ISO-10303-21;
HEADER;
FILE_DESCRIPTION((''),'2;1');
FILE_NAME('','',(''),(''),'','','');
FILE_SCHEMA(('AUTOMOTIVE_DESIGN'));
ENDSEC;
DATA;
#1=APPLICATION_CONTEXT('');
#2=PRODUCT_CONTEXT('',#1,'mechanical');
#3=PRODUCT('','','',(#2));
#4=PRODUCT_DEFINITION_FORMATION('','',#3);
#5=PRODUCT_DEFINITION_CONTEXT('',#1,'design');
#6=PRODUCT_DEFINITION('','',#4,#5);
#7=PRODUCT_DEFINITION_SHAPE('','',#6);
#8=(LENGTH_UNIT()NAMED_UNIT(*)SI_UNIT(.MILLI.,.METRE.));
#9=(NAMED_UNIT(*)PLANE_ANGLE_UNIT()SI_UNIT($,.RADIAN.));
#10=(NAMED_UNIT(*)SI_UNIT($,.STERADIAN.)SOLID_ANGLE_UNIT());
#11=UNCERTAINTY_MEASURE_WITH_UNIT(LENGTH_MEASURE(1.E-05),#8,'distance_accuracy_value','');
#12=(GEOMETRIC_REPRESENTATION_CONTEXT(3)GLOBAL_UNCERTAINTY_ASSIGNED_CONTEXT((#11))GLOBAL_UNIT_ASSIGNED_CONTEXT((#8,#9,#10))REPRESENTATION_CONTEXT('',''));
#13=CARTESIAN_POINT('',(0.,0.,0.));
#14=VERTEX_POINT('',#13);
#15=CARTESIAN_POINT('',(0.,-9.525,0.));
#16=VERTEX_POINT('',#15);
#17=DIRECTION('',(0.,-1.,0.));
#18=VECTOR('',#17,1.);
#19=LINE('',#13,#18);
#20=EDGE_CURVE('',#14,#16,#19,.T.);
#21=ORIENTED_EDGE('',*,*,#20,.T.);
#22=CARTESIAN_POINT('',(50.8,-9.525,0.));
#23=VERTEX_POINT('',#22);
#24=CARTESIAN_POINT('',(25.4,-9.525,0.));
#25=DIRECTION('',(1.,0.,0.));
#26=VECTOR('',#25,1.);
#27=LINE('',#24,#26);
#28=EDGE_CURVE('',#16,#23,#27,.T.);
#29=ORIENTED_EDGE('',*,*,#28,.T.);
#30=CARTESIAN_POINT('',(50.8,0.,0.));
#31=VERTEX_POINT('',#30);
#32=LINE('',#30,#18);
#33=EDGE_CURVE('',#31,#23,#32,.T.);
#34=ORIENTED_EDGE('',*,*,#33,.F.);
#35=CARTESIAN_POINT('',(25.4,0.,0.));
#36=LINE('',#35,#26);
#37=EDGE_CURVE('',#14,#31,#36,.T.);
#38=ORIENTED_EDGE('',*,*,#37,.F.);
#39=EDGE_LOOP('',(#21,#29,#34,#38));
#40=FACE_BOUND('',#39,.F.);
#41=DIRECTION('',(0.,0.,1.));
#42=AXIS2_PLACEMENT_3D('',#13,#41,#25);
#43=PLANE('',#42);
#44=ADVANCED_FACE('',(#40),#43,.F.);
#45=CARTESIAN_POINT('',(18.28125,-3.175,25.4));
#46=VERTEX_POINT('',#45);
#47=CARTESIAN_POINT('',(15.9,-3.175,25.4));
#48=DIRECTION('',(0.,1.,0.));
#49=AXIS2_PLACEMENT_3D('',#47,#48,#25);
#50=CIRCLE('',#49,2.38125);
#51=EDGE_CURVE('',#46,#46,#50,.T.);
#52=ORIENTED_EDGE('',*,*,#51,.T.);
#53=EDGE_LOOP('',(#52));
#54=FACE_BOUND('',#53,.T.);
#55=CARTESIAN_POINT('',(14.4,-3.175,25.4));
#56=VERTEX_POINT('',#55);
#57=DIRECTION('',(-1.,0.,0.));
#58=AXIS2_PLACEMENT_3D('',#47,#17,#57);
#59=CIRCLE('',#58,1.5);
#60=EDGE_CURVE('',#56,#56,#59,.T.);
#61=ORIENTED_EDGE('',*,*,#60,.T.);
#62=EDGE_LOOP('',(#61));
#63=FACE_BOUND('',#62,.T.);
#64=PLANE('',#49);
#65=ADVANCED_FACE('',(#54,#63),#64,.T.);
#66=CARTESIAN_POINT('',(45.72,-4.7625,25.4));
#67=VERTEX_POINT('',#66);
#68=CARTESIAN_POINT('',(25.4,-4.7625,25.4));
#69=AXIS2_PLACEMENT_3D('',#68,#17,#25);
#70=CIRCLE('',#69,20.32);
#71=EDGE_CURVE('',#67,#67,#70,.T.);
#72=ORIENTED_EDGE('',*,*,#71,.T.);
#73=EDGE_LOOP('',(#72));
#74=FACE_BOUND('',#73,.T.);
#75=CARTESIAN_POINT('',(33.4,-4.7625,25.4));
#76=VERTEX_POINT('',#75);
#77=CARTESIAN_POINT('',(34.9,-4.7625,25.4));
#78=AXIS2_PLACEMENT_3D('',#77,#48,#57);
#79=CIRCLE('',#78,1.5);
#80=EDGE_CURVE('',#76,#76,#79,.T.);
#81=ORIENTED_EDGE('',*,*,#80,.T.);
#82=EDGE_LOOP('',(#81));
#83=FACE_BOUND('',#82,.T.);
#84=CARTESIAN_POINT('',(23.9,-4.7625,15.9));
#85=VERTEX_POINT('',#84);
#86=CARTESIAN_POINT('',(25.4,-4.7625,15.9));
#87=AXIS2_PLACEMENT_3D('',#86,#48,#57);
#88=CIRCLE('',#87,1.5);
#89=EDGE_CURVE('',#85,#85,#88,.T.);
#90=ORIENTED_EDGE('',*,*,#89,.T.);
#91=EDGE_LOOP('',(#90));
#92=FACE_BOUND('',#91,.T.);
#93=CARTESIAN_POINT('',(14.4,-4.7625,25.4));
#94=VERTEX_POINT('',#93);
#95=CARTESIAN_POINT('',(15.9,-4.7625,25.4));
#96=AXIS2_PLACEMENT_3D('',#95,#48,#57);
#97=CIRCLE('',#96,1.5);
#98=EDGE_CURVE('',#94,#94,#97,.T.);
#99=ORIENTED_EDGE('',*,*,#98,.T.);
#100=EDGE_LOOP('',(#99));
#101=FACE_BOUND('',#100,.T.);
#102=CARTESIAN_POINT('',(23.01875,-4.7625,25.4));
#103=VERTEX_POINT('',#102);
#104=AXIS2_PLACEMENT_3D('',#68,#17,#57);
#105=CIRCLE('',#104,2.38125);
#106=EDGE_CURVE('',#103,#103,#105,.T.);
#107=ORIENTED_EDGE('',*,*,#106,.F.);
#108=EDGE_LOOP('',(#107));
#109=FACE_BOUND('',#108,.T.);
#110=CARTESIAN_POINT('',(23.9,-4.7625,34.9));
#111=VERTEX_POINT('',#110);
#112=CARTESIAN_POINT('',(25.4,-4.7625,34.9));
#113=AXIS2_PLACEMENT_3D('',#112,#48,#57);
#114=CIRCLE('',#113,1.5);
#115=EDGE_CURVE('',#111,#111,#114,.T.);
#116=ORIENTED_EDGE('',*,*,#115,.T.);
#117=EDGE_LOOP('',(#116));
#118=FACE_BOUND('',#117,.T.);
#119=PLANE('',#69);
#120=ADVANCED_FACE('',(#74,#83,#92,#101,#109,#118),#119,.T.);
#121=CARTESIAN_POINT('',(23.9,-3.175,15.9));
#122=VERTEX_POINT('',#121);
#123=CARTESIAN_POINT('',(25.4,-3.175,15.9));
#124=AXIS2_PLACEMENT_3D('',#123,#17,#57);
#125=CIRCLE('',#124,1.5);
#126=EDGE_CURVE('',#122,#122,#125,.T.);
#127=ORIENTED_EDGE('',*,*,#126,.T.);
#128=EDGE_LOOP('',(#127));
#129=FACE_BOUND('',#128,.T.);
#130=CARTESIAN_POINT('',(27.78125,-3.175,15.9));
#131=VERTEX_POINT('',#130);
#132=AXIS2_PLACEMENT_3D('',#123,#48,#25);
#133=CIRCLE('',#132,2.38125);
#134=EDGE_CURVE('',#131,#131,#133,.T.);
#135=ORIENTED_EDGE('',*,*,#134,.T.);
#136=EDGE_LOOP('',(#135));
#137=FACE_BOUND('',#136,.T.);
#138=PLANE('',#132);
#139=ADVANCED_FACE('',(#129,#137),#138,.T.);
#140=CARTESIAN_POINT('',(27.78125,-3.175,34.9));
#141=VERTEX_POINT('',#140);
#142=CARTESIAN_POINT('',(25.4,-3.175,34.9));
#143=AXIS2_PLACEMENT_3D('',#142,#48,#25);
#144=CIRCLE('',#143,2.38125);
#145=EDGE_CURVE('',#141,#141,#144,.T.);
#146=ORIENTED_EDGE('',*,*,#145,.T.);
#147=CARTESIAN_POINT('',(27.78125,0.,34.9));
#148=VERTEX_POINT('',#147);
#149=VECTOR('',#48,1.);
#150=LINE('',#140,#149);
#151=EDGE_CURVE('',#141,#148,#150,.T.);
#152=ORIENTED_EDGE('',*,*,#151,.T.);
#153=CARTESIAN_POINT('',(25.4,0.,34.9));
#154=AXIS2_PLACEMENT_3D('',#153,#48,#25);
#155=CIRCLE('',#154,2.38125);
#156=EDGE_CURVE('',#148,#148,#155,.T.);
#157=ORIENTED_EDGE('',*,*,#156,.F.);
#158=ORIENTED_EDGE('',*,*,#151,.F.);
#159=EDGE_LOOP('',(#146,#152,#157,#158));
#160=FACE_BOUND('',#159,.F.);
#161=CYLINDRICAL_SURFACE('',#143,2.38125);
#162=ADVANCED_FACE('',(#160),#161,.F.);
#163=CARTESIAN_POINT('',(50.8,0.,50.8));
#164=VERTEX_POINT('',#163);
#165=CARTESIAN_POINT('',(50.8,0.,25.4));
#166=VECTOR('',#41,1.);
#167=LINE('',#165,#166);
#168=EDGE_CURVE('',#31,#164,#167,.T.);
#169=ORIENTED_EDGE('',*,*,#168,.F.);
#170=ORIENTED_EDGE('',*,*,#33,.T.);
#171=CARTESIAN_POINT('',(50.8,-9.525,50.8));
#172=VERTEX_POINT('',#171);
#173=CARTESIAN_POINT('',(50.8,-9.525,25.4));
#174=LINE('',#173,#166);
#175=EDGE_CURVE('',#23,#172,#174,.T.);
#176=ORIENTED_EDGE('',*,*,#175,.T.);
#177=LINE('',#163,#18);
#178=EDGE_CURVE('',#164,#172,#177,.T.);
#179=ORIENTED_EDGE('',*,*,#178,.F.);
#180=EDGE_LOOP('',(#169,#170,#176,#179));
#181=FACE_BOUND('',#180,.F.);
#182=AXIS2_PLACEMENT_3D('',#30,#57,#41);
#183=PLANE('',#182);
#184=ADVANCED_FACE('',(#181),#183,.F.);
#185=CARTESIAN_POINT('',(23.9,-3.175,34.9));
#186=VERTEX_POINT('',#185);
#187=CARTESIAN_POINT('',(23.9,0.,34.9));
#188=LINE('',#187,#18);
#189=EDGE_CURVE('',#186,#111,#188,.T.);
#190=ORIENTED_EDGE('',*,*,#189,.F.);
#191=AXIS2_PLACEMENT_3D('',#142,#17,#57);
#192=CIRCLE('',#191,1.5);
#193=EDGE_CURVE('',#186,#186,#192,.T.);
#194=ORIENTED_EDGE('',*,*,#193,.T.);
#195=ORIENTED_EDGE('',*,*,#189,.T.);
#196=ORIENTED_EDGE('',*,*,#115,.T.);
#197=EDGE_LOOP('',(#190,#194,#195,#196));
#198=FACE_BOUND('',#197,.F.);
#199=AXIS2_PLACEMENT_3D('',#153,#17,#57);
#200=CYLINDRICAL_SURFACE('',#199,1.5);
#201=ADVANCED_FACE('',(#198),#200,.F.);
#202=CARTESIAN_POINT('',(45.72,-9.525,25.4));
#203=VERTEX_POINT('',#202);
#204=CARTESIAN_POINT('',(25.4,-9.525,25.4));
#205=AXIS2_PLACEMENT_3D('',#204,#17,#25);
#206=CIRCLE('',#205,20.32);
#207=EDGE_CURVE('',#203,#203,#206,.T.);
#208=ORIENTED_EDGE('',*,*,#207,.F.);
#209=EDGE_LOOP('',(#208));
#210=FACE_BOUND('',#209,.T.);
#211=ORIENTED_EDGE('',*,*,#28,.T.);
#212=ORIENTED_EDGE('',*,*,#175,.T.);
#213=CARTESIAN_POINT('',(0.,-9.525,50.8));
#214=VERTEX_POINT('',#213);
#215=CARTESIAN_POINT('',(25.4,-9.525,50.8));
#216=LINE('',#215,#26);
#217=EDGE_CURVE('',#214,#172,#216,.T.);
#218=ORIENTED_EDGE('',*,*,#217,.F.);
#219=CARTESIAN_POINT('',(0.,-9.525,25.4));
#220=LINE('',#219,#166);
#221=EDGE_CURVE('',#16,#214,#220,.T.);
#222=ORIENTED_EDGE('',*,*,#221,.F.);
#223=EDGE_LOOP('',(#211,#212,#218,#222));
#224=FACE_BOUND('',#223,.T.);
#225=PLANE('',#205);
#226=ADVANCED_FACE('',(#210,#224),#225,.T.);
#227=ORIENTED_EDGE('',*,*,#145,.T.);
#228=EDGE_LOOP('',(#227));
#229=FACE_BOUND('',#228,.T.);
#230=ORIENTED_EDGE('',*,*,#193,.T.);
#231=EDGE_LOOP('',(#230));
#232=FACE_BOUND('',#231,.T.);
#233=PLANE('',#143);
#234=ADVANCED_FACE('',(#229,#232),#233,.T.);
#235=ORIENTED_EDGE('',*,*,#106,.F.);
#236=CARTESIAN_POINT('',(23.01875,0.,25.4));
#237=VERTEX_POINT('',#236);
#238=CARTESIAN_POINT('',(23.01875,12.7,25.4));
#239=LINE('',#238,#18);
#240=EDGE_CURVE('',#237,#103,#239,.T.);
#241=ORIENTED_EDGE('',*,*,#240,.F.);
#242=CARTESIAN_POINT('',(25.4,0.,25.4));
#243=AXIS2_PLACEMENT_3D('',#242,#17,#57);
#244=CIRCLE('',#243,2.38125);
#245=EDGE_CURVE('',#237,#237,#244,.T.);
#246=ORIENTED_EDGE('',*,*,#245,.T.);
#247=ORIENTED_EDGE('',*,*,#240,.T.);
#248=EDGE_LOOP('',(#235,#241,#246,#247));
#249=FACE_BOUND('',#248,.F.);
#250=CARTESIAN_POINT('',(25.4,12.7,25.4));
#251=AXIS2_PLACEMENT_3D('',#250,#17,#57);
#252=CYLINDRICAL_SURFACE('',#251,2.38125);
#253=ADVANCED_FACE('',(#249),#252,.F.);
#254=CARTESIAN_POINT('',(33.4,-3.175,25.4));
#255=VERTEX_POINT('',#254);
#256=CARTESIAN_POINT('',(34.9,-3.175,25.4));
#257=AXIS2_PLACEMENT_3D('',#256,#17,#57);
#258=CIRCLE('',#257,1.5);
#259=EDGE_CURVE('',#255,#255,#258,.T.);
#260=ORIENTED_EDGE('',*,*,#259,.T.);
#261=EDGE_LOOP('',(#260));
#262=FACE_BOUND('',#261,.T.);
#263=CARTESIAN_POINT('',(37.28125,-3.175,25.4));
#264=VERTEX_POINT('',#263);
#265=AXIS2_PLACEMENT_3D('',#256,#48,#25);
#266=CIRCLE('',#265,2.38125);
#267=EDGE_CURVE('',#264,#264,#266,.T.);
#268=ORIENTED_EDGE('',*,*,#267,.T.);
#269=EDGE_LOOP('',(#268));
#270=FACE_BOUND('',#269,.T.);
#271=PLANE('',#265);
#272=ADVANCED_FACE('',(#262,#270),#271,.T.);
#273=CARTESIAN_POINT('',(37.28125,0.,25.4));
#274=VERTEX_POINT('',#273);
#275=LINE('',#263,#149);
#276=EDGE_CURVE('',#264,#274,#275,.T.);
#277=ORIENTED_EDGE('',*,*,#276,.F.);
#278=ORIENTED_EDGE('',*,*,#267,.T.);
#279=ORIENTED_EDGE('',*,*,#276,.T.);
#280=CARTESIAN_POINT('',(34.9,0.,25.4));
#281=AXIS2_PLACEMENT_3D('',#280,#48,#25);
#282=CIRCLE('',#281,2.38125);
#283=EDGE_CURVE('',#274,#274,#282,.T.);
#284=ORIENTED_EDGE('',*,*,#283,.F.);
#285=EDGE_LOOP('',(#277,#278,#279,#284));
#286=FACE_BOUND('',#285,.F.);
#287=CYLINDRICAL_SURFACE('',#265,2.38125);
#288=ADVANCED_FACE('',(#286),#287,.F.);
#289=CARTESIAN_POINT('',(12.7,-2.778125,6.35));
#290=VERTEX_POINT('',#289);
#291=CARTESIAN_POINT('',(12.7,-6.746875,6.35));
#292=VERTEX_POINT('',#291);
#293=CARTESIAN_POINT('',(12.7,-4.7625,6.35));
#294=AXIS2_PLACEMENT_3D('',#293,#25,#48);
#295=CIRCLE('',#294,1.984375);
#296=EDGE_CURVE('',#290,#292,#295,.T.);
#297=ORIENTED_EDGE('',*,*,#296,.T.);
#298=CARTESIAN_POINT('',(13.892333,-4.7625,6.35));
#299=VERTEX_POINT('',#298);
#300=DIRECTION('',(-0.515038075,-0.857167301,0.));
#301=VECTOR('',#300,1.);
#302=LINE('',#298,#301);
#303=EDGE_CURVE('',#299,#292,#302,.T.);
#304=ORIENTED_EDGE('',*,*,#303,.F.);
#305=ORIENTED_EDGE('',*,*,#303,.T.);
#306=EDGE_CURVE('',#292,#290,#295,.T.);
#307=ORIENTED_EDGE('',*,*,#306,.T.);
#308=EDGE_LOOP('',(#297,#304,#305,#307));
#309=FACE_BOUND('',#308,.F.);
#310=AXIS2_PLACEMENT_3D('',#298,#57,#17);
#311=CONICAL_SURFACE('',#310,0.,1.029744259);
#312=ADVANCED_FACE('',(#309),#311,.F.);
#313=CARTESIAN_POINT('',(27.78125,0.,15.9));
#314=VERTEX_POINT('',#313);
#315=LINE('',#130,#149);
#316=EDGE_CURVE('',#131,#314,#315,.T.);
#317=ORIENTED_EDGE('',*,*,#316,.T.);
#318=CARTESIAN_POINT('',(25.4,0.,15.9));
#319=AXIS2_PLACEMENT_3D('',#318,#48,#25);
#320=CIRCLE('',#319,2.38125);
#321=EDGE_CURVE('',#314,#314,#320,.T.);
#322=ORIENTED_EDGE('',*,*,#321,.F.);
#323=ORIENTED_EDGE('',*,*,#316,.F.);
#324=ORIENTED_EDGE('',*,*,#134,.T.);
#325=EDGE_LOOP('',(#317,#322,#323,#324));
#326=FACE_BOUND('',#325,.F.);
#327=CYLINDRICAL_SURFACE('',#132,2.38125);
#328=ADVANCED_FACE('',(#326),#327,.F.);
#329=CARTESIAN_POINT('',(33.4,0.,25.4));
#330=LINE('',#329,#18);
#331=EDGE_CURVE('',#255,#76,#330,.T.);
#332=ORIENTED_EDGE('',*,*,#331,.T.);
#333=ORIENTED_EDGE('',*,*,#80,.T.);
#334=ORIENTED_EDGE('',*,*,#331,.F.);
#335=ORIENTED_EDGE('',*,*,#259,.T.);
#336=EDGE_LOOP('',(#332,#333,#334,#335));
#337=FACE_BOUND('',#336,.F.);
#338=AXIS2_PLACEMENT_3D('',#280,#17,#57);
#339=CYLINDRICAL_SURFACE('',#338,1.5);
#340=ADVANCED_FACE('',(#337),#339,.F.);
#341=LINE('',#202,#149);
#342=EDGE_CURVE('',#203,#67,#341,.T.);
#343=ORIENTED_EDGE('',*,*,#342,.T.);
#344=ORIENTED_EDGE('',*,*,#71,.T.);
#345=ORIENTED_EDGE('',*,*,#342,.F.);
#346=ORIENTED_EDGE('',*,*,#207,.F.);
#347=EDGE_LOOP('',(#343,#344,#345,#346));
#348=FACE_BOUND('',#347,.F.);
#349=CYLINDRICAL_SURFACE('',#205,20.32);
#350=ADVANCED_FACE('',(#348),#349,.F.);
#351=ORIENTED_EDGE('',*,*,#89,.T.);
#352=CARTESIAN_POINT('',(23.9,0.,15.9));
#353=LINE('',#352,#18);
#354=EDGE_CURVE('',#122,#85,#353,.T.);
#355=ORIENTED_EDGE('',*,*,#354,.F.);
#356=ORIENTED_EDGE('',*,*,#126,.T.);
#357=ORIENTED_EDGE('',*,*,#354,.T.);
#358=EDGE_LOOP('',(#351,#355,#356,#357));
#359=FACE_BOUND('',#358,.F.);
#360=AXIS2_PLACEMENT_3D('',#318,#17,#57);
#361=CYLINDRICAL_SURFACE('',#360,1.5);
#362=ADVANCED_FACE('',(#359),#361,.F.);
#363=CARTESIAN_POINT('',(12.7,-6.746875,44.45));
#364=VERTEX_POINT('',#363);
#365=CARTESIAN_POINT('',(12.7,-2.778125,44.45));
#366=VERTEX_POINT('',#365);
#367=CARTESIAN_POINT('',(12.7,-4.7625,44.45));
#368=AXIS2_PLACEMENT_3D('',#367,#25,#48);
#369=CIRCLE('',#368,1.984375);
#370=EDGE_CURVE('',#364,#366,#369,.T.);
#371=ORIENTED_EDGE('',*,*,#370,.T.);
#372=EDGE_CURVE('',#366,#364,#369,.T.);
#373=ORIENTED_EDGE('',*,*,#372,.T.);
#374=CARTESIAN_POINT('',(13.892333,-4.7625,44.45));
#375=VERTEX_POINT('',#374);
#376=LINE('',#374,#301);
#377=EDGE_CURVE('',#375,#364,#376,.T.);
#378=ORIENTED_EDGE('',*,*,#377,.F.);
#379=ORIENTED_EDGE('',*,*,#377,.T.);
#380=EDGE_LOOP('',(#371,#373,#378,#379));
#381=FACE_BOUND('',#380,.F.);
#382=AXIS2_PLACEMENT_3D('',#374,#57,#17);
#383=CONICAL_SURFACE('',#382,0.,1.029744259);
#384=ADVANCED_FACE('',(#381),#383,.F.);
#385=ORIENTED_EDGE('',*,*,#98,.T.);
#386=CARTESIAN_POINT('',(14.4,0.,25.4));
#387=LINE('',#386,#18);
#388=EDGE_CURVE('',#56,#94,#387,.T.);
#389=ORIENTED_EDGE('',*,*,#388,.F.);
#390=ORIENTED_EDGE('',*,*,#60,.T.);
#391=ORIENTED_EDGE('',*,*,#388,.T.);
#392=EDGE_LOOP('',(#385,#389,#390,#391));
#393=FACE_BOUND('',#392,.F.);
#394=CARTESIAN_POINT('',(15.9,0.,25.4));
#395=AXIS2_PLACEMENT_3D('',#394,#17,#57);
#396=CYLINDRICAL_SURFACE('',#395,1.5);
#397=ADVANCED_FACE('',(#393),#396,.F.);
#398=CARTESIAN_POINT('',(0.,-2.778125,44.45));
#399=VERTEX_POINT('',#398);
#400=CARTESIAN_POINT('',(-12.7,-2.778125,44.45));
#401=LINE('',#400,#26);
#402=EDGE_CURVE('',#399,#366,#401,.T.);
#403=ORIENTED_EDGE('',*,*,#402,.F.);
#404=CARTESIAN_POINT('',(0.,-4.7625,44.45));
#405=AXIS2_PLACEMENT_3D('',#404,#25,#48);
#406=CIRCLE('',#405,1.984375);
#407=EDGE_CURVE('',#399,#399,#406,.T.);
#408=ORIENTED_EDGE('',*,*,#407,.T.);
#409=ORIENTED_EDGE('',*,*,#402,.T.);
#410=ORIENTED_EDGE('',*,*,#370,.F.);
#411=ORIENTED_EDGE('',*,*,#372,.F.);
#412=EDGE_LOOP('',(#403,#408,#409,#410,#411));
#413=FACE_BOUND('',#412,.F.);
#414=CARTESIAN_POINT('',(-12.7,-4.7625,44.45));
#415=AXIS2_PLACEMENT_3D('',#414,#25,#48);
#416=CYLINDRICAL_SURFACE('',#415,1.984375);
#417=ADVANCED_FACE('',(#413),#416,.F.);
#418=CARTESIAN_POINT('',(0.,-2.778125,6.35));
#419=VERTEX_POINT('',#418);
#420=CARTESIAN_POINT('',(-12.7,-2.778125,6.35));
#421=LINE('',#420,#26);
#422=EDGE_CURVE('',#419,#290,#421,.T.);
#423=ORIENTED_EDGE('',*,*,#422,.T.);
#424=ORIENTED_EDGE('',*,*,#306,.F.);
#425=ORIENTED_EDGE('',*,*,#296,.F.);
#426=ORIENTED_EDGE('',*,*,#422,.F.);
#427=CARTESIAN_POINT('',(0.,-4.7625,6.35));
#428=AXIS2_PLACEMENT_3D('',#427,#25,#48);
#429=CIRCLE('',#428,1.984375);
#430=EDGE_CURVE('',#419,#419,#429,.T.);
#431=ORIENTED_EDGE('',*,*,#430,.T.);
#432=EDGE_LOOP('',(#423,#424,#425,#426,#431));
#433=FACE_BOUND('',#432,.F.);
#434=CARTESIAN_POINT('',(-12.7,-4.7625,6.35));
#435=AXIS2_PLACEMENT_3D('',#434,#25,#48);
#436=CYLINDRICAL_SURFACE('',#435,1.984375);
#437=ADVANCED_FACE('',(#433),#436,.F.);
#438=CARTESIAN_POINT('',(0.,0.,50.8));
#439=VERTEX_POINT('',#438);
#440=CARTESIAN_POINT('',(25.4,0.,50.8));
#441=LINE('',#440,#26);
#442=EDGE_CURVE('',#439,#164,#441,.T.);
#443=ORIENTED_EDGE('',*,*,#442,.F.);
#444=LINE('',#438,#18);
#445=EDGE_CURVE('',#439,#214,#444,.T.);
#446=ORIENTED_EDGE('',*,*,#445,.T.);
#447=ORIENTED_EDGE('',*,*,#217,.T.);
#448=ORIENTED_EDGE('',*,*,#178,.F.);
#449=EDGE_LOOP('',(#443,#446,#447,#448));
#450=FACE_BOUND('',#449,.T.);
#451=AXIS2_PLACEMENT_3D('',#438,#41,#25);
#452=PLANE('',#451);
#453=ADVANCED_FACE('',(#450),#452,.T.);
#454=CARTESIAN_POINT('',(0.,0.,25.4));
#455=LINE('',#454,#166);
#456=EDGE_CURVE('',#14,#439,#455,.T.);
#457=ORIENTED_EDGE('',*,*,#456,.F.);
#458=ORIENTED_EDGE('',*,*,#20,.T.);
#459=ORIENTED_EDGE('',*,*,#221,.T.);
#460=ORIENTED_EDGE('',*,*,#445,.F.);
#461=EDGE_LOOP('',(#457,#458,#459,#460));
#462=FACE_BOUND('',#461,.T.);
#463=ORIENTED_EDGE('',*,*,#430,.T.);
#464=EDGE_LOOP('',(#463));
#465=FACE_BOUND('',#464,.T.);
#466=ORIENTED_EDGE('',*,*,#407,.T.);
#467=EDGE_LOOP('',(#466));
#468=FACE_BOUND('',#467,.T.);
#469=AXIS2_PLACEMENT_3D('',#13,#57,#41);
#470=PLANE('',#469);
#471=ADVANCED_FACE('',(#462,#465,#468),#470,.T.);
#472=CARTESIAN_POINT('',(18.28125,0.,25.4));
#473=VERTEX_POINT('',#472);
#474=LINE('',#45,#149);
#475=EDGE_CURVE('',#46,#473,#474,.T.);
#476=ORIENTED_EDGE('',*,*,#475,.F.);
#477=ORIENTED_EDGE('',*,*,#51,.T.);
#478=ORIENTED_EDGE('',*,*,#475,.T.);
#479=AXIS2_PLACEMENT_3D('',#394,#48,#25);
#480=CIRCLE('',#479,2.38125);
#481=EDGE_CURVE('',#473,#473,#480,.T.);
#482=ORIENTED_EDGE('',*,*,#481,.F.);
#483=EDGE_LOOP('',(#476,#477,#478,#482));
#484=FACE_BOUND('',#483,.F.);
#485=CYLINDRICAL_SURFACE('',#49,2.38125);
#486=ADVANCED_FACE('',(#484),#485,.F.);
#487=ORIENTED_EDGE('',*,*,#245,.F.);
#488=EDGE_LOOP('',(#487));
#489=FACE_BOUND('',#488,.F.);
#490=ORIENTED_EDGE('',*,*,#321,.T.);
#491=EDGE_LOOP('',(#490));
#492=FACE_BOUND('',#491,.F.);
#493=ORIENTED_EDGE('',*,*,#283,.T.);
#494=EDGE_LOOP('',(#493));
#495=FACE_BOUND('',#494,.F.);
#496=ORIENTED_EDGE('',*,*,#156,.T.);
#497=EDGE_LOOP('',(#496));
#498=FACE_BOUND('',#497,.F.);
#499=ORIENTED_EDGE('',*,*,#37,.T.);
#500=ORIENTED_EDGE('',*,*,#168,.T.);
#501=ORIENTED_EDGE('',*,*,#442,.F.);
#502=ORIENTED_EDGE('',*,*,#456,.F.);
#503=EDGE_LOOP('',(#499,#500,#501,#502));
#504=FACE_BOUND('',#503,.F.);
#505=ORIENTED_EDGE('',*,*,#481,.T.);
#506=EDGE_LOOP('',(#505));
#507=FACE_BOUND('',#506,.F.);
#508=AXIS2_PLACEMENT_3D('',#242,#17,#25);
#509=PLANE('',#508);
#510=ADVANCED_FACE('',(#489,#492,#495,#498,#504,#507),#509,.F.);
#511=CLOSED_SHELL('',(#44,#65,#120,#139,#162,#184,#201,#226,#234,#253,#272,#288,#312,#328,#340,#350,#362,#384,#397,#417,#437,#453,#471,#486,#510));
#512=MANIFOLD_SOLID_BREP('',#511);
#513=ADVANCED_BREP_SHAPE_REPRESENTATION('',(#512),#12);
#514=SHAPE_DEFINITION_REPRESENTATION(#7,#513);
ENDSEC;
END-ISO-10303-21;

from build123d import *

# Parameters (mm, degrees)
F0_W           = 50.8
F0_H           = 50.8
F1_DEPTH       = 9.525
F3_D           = 3.96875
F3_DEPTH       = 12.7
F3_TIP         = 1.1923327909
F4_D           = 3
F4_CBORE_D     = 4.7625
F4_CBORE_DEPTH = 3.175
F5_D           = 4.7625
F5_DEPTH       = 12.7
F5_TIP         = 1.4307993491
F6_R           = 20.32
F6_R_2         = 1.5
F6_R_3         = 2.38125
F7_DEPTH       = 4.7625


with BuildPart() as f1:
    # F0 (on Front) → F1 (new body)
    with BuildSketch(Plane.XZ):
        with Locations((25.4, 25.4)):
            Rectangle(F0_W, F0_H)
    extrude(amount=F1_DEPTH)

    # F3
    with Locations(Plane(origin=(0, 0, 0), x_dir=(0, -1, 0), z_dir=(-1, 0, 0))):
        with Locations((4.7625, 44.45), (4.7625, 6.35)):
            Hole(F3_D / 2, depth=F3_DEPTH)
            with Locations((0, 0, -(F3_DEPTH + F3_TIP / 2))):  # 118° drill point
                Cone(0, F3_D / 2, F3_TIP, mode=Mode.SUBTRACT)

    # F4 (through all)
    with Locations(Plane(origin=(0, 0, 0), x_dir=(1, 0, 0), z_dir=(0, 1, 0))):
        with Locations((25.4, -34.9), (15.9, -25.4), (25.4, -15.9), (34.9, -25.4)):
            CounterBoreHole(F4_D / 2, F4_CBORE_D / 2, F4_CBORE_DEPTH)

    # F5
    with Locations(Plane(origin=(0, 0, 0), x_dir=(1, 0, 0), z_dir=(0, 1, 0))):
        with Locations((25.4, -25.4)):
            Hole(F5_D / 2, depth=F5_DEPTH)
            with Locations((0, 0, -(F5_DEPTH + F5_TIP / 2))):  # 118° drill point
                Cone(0, F5_D / 2, F5_TIP, mode=Mode.SUBTRACT)

    # F6 (on face) → F7 (cut)
    with BuildSketch(Plane.XZ.offset(9.525)):
        with Locations((25.4, 25.4)):
            Circle(F6_R)
        with Locations((25.4, 15.9)):
            Circle(F6_R_2, mode=Mode.SUBTRACT)
        with Locations((15.9, 25.4)):
            Circle(F6_R_2, mode=Mode.SUBTRACT)
        with Locations((25.4, 25.4)):
            Circle(F6_R_3, mode=Mode.SUBTRACT)
        with Locations((34.9, 25.4)):
            Circle(F6_R_2, mode=Mode.SUBTRACT)
        with Locations((25.4, 34.9)):
            Circle(F6_R_2, mode=Mode.SUBTRACT)
    extrude(amount=-F7_DEPTH, mode=Mode.SUBTRACT)


solid = f1.part
